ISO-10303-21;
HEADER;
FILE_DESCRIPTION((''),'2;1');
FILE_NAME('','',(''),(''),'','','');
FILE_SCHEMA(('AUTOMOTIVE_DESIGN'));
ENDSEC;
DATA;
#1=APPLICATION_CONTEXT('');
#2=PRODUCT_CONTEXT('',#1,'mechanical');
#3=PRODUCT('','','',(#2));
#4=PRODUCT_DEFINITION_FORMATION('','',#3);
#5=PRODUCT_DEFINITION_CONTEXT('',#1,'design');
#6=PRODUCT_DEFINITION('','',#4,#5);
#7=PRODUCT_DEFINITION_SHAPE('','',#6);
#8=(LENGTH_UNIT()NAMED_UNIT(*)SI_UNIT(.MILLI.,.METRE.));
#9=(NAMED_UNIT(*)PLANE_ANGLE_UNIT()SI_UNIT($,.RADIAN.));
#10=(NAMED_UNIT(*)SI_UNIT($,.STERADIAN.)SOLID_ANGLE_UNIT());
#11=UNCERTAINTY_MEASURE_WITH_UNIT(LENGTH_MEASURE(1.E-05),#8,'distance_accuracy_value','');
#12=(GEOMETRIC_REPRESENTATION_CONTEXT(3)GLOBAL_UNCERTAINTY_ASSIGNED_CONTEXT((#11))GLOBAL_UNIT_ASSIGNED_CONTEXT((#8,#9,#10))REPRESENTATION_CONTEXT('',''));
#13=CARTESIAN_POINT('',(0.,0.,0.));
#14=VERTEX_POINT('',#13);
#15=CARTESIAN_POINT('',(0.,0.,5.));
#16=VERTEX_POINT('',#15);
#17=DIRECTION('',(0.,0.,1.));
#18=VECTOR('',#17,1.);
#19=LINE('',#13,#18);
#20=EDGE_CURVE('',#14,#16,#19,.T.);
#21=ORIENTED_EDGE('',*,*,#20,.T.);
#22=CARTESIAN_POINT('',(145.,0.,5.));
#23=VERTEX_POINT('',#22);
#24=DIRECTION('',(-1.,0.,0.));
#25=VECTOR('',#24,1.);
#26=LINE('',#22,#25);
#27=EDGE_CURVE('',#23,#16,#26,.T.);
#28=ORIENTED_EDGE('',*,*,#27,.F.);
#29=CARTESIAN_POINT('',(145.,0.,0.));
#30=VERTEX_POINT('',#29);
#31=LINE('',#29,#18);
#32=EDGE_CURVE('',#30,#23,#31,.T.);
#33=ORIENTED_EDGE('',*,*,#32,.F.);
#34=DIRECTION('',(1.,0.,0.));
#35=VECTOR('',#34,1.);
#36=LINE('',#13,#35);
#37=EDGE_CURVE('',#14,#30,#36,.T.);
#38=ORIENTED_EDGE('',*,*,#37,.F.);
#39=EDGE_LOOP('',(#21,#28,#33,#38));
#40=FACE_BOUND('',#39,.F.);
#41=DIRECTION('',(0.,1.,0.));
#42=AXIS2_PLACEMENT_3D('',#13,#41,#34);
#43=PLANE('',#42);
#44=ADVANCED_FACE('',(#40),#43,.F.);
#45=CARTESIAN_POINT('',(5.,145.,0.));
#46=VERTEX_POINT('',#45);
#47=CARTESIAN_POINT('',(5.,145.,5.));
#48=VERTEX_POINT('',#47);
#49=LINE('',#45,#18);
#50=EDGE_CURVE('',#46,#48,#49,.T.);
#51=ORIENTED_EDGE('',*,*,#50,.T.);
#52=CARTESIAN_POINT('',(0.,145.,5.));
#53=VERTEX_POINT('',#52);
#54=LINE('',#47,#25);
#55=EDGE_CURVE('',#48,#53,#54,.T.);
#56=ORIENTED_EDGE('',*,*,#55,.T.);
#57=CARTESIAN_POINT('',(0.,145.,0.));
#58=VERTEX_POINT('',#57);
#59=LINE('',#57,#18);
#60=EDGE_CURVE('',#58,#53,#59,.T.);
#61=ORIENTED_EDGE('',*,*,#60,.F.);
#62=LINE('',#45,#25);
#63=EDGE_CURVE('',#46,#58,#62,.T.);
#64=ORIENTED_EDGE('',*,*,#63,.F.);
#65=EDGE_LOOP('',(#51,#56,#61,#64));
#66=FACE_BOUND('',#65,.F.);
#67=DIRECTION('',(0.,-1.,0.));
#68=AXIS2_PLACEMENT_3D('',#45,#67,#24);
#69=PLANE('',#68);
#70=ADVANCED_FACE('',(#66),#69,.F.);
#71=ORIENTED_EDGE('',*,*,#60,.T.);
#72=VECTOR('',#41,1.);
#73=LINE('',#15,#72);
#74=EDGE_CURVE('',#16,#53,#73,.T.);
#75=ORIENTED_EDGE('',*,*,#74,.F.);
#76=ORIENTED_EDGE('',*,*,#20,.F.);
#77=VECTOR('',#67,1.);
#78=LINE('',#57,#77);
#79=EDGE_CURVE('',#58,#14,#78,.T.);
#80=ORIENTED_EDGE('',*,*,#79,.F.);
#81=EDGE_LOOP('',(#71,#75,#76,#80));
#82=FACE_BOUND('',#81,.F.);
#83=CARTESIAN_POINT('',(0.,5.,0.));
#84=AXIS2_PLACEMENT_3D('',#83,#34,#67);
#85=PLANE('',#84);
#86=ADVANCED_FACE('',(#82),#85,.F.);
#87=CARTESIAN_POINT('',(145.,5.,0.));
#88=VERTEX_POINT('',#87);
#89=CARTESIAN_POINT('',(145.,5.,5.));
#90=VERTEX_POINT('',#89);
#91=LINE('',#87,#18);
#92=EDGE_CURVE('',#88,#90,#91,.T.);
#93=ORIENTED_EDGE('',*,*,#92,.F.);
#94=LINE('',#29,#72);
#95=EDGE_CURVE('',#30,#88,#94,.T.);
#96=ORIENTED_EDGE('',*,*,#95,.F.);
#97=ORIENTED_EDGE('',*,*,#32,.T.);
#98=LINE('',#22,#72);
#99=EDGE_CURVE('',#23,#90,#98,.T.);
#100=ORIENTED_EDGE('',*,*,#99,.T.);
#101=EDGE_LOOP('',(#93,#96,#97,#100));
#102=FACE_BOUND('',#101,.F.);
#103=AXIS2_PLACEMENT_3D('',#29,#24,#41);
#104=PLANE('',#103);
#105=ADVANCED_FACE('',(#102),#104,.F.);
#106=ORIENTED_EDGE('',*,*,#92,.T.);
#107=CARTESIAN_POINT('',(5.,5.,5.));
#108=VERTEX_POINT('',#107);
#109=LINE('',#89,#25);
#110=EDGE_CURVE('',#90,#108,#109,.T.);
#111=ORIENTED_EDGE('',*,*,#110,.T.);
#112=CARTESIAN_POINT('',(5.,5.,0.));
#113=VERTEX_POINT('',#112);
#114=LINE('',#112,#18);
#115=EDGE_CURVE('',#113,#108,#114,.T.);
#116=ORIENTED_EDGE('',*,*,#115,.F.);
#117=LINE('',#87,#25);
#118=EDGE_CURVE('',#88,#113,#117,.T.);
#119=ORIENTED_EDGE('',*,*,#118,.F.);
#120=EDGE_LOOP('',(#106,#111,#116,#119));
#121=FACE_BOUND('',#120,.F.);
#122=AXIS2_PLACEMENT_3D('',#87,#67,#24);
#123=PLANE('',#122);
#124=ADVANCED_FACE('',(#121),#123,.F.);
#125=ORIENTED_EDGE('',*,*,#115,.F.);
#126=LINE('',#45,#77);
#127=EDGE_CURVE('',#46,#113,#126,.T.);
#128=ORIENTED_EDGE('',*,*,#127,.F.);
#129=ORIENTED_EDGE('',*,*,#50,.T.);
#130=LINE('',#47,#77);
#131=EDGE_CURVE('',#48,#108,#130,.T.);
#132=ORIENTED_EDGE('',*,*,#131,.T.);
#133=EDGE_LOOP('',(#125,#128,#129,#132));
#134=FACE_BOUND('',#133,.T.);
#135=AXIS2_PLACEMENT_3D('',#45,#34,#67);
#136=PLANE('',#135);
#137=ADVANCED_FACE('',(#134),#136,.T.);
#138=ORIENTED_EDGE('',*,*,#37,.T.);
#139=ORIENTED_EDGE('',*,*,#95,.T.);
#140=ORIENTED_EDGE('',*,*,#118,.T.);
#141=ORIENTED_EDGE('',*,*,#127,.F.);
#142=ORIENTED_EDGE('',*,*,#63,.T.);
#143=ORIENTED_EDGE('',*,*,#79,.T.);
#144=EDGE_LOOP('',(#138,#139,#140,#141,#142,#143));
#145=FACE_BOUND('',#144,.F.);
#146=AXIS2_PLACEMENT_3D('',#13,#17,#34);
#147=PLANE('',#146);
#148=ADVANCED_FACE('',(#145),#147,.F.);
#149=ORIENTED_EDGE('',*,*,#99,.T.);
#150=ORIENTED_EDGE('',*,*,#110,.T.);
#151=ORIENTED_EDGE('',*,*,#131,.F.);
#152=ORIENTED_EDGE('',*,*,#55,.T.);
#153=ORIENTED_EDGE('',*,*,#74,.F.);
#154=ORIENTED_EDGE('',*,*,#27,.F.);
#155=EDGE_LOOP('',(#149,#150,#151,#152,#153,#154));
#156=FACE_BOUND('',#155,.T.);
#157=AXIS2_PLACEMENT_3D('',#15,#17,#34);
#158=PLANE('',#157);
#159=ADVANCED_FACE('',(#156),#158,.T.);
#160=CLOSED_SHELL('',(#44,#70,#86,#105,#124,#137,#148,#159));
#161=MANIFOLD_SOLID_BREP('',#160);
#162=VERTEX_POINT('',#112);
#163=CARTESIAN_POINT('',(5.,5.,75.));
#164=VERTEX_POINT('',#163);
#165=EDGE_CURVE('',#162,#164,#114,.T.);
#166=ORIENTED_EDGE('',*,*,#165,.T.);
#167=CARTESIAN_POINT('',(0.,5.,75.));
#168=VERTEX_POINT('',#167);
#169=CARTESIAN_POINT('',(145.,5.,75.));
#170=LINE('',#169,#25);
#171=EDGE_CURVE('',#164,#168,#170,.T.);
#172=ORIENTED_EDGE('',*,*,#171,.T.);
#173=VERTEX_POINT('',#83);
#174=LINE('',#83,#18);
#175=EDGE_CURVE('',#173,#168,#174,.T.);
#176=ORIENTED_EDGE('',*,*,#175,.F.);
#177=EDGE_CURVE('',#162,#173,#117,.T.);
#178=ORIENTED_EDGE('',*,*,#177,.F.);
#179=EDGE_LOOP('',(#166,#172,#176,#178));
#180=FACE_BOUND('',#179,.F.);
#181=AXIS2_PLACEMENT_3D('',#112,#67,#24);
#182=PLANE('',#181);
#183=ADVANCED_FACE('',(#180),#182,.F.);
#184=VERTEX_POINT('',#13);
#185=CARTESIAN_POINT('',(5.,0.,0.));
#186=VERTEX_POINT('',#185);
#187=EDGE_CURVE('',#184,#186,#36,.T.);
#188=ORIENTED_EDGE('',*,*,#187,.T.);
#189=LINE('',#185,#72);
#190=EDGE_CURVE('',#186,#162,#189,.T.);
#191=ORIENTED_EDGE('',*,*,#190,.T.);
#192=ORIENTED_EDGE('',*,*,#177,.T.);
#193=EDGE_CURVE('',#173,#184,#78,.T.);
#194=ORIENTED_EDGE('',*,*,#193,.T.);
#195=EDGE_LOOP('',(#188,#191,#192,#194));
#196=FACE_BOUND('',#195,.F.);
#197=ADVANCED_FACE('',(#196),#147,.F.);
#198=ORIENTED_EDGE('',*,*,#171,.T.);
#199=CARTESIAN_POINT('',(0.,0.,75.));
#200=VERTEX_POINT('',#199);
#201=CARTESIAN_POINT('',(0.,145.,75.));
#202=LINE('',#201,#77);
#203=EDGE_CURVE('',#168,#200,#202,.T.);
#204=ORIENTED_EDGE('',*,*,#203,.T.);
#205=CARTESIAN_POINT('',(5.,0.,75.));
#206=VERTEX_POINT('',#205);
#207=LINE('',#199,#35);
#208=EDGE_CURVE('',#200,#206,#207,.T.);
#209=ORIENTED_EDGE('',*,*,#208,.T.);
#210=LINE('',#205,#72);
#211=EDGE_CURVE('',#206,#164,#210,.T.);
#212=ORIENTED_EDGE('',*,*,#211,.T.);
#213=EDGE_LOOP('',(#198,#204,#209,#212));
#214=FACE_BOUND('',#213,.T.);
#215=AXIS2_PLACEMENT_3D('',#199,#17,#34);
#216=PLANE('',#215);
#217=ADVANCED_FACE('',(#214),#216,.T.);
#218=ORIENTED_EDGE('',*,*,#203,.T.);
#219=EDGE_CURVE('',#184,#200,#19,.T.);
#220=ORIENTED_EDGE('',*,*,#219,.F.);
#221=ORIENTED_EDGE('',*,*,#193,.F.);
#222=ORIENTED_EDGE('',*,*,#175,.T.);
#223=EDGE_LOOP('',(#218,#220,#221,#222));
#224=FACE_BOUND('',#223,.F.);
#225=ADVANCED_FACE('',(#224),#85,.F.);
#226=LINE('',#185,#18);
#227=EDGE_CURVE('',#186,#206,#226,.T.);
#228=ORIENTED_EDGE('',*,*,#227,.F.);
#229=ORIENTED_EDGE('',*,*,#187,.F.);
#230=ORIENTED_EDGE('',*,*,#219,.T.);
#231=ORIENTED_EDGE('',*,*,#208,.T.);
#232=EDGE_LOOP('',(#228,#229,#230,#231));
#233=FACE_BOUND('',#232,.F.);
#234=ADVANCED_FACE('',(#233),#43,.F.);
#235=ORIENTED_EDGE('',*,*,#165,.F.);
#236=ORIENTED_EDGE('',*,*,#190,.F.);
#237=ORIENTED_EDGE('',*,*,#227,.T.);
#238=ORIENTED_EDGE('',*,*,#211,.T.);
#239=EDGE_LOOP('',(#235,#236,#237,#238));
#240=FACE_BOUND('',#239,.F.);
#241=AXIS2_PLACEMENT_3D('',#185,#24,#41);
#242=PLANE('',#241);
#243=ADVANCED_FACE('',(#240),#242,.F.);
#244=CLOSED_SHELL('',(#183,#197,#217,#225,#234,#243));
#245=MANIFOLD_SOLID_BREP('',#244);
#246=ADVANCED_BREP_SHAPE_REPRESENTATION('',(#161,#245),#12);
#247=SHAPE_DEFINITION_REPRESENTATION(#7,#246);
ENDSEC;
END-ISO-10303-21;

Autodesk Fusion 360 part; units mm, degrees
sketch "Skizze1" plane through (0, 0, 0) normal (0, 0, 1) x (1, 0, 0)
  line L0 (0, 0) -> (145, 0)
  line L1 (0, 145) -> (0, 0)
  line L2 (0, 0) -> (10, 0)
  line L3 (0, 10) -> (0, 0)
  line L4 (5, 145) -> (5, 5)
  line L5 (5, 145) -> (0, 145)
  line L6 (145, 0) -> (145, 5)
  line L7 (145, 5) -> (0, 5)
  line L8 (5, 0) -> (5, 5)
extrude "Extrusion11" add sketch "Skizze1" along normal blind 75 contours L0 L1 L2 L3 L7 L8 makes body 1
extrude "Extrusion12" add sketch "Skizze1" along normal blind 5 separate body makes body 2
